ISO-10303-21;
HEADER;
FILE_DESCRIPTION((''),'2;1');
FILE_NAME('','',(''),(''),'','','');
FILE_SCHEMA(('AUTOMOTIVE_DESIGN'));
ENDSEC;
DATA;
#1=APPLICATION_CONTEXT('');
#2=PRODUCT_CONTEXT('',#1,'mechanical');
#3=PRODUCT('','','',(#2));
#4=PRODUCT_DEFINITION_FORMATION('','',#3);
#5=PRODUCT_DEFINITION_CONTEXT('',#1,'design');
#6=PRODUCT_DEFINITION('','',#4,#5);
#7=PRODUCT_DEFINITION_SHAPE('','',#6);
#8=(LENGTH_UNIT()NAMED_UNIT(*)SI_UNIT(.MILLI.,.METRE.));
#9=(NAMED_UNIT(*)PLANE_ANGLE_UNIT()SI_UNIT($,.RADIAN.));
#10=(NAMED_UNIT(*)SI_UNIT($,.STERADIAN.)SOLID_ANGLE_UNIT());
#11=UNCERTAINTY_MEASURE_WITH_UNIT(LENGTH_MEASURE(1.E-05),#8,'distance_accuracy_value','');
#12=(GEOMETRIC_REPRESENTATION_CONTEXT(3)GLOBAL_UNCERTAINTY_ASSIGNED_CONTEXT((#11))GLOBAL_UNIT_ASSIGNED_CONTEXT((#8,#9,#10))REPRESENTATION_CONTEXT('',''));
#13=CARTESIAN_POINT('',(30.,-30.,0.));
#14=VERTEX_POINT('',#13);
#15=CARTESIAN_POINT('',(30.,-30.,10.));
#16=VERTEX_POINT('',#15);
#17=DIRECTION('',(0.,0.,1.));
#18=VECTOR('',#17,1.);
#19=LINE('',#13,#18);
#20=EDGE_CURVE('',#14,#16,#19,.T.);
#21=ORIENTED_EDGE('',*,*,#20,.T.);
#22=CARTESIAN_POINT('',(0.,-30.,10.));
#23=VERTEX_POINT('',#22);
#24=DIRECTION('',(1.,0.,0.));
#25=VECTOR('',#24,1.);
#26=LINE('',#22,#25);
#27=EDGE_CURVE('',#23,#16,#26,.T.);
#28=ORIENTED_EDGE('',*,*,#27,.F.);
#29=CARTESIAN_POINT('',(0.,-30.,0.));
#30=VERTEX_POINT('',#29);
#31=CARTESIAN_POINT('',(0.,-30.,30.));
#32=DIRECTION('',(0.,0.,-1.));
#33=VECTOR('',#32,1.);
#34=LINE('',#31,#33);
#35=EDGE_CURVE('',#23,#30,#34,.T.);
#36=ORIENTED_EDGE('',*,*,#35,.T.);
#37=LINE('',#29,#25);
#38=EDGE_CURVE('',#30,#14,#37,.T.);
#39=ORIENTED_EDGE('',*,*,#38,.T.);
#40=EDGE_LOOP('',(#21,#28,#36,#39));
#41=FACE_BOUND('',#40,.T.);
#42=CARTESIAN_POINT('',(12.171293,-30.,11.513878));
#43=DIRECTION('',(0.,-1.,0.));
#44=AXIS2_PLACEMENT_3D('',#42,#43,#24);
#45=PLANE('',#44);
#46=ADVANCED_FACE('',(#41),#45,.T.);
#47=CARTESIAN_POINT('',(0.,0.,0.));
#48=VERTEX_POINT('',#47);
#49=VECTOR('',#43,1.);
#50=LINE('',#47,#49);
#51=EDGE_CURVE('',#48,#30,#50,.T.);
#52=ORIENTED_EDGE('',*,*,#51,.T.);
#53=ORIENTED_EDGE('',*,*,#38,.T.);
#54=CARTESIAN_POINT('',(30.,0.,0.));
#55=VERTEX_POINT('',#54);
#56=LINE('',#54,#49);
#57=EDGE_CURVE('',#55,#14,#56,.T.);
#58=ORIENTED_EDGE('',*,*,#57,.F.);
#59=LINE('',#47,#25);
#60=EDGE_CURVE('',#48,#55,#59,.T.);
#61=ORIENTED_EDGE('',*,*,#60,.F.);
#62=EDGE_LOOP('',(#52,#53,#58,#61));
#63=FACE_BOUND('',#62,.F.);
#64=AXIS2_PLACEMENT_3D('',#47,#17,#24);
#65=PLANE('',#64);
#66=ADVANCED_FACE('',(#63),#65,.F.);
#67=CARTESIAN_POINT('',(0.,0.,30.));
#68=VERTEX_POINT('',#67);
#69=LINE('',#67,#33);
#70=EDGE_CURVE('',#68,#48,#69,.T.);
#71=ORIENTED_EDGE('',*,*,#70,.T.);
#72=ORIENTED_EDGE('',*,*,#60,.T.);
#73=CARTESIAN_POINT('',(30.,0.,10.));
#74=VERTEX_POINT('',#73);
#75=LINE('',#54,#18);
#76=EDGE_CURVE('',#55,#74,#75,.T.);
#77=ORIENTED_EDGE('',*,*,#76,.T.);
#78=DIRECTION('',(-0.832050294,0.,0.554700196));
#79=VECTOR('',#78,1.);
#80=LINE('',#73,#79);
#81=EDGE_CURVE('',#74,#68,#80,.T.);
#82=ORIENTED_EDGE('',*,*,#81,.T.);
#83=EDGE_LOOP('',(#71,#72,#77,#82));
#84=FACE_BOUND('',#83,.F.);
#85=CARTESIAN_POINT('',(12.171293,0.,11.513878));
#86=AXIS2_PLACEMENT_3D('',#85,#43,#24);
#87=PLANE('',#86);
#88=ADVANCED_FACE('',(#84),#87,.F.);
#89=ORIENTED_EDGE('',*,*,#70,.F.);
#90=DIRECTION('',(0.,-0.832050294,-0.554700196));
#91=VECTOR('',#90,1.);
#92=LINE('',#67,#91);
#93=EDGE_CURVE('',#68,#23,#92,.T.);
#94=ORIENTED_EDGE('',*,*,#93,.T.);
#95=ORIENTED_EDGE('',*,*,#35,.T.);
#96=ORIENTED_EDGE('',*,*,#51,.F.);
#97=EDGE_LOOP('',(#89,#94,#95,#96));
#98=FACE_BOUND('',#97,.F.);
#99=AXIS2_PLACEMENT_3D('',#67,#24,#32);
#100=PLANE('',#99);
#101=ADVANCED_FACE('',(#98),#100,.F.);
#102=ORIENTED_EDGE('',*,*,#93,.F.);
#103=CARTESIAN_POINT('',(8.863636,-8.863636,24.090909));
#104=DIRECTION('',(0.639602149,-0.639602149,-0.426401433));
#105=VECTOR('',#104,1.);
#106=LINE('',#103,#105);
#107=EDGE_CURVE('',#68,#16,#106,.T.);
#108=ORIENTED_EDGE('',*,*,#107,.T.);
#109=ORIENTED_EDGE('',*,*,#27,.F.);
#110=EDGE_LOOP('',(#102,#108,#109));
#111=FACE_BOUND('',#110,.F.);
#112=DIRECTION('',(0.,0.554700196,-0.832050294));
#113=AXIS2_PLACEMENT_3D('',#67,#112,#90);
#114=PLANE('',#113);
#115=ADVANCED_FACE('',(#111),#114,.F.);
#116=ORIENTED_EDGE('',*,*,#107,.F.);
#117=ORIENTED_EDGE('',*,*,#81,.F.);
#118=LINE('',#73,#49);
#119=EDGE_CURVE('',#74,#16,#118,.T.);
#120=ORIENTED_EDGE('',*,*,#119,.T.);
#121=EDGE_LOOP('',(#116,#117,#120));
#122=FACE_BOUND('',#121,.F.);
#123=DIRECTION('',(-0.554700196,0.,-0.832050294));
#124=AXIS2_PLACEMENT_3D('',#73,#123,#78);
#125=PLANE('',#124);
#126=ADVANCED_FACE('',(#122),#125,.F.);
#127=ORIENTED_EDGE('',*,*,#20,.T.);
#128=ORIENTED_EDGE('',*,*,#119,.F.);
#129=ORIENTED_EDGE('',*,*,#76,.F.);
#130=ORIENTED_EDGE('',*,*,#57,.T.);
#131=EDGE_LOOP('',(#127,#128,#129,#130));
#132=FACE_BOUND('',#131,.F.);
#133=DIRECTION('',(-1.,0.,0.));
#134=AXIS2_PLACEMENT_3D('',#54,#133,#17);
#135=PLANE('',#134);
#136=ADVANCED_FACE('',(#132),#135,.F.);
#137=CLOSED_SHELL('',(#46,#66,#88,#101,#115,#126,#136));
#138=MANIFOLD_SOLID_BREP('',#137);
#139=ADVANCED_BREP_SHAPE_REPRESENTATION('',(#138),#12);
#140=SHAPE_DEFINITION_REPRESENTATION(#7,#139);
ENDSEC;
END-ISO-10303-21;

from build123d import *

# Parameters (mm, degrees)
F1_DEPTH = 30
F3_DEPTH = 30.001


with BuildPart() as f1:
    # F0 (on Front) → F1 (new body)
    with BuildSketch(Plane.XZ):
        Polygon((0, 30), (0, 0), (30, 0), (30, 10), align=None)
    extrude(amount=F1_DEPTH)

    # F2 (on face) → F3 (cut, through all)
    with BuildSketch(Plane(origin=(0, 0, 0), x_dir=(0, -1, 0), z_dir=(-1, 0, 0))):
        Polygon((30, 10), (30, 30), (0, 30), align=None)
    extrude(amount=-F3_DEPTH, mode=Mode.SUBTRACT)


solid = f1.part
